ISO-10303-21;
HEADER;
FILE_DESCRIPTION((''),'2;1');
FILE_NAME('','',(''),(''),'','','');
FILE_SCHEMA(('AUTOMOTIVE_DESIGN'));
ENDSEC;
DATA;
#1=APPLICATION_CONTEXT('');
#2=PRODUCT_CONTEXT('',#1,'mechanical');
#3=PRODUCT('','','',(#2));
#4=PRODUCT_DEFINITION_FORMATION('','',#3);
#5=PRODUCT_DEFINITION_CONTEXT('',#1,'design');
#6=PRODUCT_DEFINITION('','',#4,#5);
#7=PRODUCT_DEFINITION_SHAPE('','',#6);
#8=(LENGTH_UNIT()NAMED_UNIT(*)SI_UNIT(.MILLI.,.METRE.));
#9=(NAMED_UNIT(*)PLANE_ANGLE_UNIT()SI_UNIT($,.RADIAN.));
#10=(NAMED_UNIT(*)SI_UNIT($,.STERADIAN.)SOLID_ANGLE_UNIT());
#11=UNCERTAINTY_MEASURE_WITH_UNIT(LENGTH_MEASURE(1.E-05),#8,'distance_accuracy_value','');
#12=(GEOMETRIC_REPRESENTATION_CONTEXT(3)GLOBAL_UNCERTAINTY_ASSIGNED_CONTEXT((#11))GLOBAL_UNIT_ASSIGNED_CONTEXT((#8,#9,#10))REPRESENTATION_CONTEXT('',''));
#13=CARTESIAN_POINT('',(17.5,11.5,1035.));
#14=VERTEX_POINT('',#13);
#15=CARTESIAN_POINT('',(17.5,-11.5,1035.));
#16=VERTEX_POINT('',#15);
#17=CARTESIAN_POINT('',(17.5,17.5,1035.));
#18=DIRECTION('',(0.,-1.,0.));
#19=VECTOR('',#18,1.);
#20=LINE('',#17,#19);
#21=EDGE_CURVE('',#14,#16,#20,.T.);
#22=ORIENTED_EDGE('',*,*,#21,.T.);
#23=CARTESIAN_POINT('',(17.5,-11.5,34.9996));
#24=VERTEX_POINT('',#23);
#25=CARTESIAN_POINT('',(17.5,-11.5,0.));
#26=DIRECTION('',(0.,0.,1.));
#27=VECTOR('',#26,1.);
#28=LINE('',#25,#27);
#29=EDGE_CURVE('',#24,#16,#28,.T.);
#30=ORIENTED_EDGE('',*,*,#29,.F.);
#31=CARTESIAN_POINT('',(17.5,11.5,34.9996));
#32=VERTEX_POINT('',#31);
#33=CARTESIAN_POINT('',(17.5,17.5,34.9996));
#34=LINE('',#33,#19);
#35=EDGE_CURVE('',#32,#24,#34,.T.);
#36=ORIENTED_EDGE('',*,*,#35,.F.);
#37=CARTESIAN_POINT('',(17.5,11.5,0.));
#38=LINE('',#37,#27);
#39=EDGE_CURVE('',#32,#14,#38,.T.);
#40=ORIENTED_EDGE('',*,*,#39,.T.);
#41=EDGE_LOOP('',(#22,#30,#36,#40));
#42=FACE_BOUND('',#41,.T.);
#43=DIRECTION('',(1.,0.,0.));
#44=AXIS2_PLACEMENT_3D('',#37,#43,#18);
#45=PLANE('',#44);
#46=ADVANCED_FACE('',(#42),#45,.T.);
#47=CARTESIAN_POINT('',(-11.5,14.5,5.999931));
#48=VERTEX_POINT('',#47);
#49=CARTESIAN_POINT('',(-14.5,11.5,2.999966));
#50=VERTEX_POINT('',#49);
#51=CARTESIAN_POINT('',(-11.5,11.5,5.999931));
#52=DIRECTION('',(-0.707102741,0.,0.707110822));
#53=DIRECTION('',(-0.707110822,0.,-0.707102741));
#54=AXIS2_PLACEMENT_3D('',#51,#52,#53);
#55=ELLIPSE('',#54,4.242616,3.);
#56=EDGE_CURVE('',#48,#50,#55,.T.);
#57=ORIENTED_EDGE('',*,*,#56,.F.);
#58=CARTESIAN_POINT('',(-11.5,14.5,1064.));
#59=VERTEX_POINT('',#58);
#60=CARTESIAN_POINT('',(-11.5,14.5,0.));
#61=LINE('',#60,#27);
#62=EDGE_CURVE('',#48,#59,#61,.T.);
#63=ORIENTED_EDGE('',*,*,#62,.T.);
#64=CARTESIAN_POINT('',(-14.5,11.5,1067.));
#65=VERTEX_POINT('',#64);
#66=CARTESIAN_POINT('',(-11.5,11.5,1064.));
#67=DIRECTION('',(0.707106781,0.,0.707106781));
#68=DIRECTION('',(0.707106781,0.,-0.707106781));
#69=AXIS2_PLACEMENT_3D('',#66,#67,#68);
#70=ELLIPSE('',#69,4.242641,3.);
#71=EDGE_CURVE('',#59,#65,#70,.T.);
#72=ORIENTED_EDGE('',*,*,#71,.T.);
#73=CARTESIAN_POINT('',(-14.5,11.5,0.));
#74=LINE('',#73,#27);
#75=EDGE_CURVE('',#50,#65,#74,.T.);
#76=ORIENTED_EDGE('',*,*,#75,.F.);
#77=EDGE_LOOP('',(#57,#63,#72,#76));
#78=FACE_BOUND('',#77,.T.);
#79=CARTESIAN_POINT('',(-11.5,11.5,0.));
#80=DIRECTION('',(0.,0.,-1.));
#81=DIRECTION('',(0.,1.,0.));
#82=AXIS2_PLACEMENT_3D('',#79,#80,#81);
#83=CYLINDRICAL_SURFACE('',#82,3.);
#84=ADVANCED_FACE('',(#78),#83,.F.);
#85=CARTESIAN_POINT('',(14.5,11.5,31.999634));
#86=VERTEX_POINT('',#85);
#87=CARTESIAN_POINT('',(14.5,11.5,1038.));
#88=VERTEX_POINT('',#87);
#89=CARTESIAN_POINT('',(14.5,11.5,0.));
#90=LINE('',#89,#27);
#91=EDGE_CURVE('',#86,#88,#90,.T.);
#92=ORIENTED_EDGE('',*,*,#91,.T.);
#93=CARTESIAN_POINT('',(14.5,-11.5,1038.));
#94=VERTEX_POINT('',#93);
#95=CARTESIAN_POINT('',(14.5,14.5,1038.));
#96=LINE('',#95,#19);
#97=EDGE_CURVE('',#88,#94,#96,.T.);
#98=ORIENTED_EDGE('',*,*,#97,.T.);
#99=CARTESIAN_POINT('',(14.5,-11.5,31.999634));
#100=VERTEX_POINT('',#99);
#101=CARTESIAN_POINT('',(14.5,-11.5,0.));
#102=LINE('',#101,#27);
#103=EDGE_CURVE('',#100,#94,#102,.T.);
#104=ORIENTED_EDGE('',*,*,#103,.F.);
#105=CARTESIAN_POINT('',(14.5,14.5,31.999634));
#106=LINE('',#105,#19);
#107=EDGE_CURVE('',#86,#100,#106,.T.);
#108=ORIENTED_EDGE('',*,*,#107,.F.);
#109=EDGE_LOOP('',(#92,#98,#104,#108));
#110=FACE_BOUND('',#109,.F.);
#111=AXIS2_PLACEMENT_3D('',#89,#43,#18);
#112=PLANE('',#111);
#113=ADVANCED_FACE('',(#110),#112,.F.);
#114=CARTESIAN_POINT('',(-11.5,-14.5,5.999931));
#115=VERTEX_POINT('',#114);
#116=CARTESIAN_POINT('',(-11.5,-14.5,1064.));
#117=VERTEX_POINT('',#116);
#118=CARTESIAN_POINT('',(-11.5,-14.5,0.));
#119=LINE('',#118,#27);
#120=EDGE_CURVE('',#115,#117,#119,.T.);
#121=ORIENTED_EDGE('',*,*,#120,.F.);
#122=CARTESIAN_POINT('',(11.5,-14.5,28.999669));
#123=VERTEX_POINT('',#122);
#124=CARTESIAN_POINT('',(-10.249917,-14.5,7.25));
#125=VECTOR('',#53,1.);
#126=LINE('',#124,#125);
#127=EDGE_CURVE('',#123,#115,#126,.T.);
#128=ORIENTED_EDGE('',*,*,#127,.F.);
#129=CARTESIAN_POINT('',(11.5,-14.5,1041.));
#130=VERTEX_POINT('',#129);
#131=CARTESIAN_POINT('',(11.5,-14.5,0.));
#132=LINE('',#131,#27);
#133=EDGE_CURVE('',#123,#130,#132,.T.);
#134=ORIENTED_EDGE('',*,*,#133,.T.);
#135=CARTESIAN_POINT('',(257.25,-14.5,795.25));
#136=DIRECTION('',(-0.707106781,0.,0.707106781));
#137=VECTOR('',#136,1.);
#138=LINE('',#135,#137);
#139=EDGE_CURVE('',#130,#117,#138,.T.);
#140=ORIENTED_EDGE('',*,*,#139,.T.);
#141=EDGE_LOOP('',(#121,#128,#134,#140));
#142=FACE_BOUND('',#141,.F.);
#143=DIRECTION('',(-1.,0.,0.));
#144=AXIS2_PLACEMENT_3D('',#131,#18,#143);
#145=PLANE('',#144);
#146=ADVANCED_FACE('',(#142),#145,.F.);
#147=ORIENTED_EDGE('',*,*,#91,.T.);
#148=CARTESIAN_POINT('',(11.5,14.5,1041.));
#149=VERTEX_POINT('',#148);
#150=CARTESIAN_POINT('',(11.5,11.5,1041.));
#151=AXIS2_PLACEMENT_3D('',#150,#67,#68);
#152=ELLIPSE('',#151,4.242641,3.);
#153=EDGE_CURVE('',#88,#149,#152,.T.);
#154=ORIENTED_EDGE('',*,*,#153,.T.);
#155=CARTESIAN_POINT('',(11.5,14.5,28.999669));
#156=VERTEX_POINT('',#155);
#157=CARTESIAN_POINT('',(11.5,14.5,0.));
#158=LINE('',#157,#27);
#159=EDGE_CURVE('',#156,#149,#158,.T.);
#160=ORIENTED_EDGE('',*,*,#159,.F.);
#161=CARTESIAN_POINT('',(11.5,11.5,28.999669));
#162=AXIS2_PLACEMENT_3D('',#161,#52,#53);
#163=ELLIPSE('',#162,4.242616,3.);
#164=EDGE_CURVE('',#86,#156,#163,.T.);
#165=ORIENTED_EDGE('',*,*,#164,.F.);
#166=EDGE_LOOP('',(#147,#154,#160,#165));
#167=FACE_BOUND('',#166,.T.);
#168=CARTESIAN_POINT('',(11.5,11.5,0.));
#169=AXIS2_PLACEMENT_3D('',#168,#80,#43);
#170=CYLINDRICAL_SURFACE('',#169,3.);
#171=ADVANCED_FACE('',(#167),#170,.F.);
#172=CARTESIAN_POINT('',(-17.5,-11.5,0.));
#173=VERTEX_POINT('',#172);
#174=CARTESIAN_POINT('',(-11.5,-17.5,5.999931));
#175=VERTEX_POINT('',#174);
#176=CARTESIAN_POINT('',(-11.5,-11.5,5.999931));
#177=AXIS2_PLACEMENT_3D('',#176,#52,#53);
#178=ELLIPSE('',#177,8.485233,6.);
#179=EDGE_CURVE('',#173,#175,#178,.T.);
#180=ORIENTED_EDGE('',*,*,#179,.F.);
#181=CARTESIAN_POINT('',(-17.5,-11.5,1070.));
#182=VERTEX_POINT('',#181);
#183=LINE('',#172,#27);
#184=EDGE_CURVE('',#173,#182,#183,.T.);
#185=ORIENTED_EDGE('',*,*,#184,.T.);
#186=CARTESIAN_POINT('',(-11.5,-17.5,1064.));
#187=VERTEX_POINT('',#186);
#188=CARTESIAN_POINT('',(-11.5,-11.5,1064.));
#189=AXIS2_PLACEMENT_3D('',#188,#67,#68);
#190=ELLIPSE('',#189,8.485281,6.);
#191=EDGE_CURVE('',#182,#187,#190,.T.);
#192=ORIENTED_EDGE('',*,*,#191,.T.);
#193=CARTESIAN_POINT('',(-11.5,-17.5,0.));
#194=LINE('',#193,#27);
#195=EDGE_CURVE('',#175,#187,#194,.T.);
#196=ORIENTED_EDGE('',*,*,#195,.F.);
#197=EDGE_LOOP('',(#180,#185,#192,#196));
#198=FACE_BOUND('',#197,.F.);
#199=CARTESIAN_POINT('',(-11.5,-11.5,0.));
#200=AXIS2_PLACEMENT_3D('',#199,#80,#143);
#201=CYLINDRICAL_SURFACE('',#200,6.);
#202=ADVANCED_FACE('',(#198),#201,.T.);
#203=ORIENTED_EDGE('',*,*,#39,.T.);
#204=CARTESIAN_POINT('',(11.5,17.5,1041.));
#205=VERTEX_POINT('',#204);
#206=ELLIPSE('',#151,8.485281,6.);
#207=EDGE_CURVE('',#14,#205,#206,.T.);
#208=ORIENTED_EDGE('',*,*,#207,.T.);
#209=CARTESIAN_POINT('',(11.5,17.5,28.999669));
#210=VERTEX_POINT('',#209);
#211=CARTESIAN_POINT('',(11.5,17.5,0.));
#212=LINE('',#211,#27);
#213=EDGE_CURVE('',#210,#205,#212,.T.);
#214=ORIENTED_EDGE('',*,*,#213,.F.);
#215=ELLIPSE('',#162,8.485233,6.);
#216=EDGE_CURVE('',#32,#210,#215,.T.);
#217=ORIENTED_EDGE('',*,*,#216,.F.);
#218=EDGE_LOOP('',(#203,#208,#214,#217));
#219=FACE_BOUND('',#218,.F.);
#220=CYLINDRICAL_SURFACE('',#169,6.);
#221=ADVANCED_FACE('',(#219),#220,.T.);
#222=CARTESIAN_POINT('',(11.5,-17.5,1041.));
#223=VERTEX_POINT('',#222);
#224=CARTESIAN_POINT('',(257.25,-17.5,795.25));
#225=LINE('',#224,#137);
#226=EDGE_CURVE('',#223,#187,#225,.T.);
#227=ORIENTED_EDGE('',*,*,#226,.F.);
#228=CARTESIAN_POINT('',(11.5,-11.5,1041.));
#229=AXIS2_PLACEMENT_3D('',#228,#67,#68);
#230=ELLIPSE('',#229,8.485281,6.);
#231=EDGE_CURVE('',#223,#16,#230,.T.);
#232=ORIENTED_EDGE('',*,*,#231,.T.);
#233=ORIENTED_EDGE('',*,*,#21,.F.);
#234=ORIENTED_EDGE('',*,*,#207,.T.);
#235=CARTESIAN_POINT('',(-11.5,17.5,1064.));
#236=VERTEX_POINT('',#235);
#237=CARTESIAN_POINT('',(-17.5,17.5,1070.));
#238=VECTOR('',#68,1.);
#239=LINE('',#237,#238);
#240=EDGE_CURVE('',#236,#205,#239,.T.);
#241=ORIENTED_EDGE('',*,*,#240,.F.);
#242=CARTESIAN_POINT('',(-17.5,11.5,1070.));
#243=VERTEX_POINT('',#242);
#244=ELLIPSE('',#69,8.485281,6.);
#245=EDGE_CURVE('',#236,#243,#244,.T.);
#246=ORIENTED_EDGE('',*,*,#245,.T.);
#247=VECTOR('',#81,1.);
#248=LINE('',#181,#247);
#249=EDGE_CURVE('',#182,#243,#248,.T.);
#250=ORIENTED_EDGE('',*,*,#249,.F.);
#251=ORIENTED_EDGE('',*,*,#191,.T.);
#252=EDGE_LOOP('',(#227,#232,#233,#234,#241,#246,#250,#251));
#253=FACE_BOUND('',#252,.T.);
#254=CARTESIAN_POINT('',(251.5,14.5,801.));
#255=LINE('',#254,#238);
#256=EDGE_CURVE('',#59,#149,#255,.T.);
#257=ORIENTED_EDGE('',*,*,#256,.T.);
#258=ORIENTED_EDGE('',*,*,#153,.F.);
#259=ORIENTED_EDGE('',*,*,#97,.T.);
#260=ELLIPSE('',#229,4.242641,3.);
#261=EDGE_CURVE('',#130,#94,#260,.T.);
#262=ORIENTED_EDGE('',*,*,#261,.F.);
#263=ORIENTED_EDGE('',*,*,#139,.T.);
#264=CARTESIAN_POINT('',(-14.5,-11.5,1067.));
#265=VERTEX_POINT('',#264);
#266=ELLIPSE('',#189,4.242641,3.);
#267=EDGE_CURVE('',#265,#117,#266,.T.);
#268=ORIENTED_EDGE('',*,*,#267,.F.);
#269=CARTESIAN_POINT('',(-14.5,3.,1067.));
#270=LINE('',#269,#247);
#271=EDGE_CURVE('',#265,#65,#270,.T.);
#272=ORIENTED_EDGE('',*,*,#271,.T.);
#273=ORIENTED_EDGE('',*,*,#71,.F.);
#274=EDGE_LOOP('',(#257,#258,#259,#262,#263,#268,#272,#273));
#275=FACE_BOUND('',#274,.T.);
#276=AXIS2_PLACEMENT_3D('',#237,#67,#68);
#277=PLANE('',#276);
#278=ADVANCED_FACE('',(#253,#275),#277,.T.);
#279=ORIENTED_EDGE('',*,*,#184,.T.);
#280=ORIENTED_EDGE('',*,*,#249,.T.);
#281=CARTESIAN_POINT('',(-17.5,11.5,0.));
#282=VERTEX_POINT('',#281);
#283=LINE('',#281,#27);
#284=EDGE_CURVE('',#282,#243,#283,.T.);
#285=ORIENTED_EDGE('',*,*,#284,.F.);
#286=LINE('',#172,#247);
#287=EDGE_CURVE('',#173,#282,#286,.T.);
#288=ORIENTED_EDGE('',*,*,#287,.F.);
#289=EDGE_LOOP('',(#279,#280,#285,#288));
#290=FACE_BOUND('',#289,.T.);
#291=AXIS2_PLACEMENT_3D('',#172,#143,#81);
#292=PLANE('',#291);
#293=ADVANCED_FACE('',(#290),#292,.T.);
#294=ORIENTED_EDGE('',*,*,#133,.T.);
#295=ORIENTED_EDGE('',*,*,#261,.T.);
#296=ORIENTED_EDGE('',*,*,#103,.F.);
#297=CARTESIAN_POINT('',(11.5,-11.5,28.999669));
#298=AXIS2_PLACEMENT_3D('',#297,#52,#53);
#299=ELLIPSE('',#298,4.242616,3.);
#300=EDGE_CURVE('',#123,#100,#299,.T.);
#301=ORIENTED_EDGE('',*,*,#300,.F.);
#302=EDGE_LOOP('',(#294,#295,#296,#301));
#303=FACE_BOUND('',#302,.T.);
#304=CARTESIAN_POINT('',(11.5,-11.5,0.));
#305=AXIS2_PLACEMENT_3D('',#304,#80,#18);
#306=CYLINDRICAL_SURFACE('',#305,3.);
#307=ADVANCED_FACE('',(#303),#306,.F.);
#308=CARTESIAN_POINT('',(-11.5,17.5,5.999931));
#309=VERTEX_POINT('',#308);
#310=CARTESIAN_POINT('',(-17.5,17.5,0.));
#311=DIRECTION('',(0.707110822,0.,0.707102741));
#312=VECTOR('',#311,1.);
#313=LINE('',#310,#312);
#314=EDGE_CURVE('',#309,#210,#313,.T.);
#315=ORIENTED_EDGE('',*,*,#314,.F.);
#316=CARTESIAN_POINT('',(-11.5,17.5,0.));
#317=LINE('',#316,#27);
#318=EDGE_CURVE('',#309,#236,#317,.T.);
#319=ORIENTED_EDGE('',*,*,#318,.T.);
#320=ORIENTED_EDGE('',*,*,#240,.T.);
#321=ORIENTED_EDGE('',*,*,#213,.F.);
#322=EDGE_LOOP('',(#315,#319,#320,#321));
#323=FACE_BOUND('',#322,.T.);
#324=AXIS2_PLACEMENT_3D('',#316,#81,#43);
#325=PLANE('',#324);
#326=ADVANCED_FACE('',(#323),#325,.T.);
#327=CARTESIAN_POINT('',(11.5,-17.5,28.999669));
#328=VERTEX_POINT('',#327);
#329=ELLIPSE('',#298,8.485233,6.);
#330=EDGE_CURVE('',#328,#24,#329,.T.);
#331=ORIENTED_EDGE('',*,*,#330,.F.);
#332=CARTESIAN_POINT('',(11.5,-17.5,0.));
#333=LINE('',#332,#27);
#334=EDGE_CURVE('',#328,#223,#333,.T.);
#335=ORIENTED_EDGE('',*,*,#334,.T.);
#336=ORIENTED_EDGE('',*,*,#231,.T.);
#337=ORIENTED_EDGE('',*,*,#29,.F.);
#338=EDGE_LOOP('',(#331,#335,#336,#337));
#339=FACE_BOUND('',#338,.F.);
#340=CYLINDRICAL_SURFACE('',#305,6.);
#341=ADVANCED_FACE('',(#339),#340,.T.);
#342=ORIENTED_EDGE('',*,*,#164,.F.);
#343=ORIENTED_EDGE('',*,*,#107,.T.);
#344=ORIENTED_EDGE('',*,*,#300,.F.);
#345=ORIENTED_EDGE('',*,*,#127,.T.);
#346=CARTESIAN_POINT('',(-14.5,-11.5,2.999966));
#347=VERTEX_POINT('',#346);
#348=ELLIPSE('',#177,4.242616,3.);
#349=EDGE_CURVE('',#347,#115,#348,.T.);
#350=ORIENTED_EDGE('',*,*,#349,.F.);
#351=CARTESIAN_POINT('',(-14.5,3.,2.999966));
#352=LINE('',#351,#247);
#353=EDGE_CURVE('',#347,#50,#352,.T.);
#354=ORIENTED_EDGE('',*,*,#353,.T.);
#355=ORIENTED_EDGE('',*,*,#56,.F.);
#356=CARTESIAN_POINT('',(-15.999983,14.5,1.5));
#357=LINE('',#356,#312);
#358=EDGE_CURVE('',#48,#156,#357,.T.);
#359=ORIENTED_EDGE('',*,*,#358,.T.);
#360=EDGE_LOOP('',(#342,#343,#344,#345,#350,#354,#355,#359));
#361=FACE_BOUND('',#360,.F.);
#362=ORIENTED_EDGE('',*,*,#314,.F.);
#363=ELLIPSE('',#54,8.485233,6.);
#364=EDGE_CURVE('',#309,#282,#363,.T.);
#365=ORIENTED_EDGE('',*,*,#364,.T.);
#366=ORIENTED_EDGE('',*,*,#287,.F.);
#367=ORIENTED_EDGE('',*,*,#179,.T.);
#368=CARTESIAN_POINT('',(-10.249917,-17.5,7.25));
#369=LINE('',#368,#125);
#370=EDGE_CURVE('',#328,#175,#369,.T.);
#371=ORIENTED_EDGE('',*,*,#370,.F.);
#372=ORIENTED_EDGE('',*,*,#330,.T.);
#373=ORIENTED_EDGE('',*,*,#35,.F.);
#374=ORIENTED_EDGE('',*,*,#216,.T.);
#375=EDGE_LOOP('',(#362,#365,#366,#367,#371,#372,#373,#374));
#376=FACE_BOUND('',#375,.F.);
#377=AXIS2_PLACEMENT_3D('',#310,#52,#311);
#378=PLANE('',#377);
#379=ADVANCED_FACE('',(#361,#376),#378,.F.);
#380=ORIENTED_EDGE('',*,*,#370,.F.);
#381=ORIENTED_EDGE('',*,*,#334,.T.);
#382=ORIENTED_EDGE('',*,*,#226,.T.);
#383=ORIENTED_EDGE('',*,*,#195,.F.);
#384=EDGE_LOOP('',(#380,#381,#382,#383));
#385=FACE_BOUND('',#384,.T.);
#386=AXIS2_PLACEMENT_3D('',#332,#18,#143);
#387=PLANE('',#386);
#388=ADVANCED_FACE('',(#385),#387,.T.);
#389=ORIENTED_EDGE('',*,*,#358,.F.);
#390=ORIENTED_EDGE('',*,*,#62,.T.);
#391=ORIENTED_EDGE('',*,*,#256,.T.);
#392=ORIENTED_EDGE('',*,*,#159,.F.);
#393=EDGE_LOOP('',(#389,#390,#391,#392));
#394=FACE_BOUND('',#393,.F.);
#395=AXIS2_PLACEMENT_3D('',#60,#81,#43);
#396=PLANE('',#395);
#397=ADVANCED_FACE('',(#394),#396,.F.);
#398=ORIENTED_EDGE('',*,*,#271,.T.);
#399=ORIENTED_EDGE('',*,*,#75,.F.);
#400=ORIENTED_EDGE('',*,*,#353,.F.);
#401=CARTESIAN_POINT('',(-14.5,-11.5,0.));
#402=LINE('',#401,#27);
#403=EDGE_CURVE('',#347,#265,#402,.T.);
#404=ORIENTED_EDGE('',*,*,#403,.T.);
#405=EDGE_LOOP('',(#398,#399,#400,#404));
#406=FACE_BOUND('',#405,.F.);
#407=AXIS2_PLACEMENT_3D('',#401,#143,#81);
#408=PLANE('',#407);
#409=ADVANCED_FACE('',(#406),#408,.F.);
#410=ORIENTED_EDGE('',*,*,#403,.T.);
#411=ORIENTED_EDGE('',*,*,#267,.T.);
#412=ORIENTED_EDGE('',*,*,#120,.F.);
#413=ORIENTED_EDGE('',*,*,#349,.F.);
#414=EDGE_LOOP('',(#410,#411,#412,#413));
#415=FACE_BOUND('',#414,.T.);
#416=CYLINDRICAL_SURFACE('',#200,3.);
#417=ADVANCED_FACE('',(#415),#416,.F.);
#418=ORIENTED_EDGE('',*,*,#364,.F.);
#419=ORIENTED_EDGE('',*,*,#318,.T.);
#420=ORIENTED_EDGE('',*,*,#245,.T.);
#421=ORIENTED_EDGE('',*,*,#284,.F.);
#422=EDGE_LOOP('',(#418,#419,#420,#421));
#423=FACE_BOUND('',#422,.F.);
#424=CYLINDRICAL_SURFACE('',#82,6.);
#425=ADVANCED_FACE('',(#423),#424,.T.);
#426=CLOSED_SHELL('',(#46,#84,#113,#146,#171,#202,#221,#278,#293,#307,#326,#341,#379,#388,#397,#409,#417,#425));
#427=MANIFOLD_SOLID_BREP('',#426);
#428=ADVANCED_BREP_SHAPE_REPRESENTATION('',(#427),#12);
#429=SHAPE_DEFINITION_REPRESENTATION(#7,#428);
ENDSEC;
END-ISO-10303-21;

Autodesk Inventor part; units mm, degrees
ref_plane "Počáteční rovina" through (0, 0, 0) normal (0, 0, 1) x (1, 0, 0)
ref_plane "Koncová rovina" through (0, 0, 1075) normal (0, 0, 1) x (1, 0, 0)
sketch "Náčrt1" plane through (0, 0, 0) normal (0, 0, 1) x (1, 0, 0)
  line L0 (-11.5, 17.5) -> (11.5, 17.5)
  line L1 (17.5, 11.5) -> (17.5, -11.5)
  line L2 (11.5, -17.5) -> (-11.5, -17.5)
  line L3 (-17.5, -11.5) -> (-17.5, 11.5)
  arc A0 (-11.5, 17.5) -> (-17.5, 11.5) centre (-11.5, 11.5) ccw
  arc A1 (17.5, 11.5) -> (11.5, 17.5) centre (11.5, 11.5) ccw
  arc A2 (11.5, -17.5) -> (17.5, -11.5) centre (11.5, -11.5) ccw
  arc A3 (-17.5, -11.5) -> (-11.5, -17.5) centre (-11.5, -11.5) ccw
  line L4 (-26.2397, 0) -> (26.2397, 0) construction
  line L5 (0, -26.2397) -> (0, 26.2397) construction
  arc A4 (-11.5, 14.5) -> (-14.5, 11.5) centre (-11.5, 11.5) ccw
  line L6 (-11.5, 14.5) -> (11.5, 14.5)
  arc A5 (14.5, 11.5) -> (11.5, 14.5) centre (11.5, 11.5) ccw
  line L7 (14.5, 11.5) -> (14.5, -11.5)
  arc A6 (11.5, -14.5) -> (14.5, -11.5) centre (11.5, -11.5) ccw
  line L8 (11.5, -14.5) -> (-11.5, -14.5)
  arc A7 (-14.5, -11.5) -> (-11.5, -14.5) centre (-11.5, -11.5) ccw
  line L9 (-14.5, -11.5) -> (-14.5, 11.5)
  point P0 (-17.5, 17.5)
  point P1 (17.5, -17.5)
  point P2 (17.5, 17.5)
  dimension "b" = 35
  dimension "msp_r" = 6
  dimension "d8" = 17.5
  dimension "d9" = 17.5
  dimension "d10" = 3
extrude "Těleso" add sketch "Náčrt1" along normal blind 1070
sketch "Sketch2" plane through (0, 0, 0) normal (0, 0, 1) x (1, 0, 0)
  line L0 (0, 0) -> (10, 0)
ref_plane "Work Plane3" through (0, 0, 0) normal (0, -1, 0) x (1, 0, 0)
sketch "Sketch3" plane through (0, 0, 0) normal (0, -1, 0) x (1, 0, 0)
  line L0 (-2, 0) -> (12, 0)
  line L1 (-2, 1075) -> (12, 1075)
  dimension "d14" = 1075
sketch "Náčrt4" plane through (11.5, 17.5, 1075) normal (0, 1, 0) x (1, 0, 0)
  line L0 (-23, 1075) -> (-29, 1075) projected
  line L1 (6, 1075) -> (6, 5) construction
  line L2 (-29, 1075) -> (6, 1075)
  line L3 (6, 1075) -> (6, 1040.0004)
  line L4 (-29, 1075) -> (6, 1040.0004)
  line L5 (-29, 1075) -> (-29, 5) construction
  line L6 (-23, 5) -> (-29, 5) projected
  line L7 (6, 5) -> (-29, 5)
  line L8 (-29, 5) -> (6, 40)
  line L9 (6, 40) -> (6, 5)
  point P0 (-11.5, 1075)
  dimension "d15" = 45
  dimension "d19" = 45
extrude "Vysunutí2" cut sketch "Náčrt4" against normal through all
ref_plane "Pracovní rovina4" through (517.5027, -11.5, 534.9973) normal (0, 0, 1) x (0, -1, 0)
equation "\"msp_r\" = 2 * ParT"
equation "\"d8\" = d9"
equation "\"d9\" = 0.5 * b"
equation "\"d10\" = ParT"
equation "\"G_OFFSET_START\" = 0"
equation "\"G_OFFSET_END\" = 0"
equation "\"d12\" = G_OFFSET_END + B_L"
equation "\"G_L\" = d14"
equation "\"B_L\" = 1075"
equation "\"ParT\" = 3"
properties part number "DD_KVD_003_03" material "Nerezová ocel"
